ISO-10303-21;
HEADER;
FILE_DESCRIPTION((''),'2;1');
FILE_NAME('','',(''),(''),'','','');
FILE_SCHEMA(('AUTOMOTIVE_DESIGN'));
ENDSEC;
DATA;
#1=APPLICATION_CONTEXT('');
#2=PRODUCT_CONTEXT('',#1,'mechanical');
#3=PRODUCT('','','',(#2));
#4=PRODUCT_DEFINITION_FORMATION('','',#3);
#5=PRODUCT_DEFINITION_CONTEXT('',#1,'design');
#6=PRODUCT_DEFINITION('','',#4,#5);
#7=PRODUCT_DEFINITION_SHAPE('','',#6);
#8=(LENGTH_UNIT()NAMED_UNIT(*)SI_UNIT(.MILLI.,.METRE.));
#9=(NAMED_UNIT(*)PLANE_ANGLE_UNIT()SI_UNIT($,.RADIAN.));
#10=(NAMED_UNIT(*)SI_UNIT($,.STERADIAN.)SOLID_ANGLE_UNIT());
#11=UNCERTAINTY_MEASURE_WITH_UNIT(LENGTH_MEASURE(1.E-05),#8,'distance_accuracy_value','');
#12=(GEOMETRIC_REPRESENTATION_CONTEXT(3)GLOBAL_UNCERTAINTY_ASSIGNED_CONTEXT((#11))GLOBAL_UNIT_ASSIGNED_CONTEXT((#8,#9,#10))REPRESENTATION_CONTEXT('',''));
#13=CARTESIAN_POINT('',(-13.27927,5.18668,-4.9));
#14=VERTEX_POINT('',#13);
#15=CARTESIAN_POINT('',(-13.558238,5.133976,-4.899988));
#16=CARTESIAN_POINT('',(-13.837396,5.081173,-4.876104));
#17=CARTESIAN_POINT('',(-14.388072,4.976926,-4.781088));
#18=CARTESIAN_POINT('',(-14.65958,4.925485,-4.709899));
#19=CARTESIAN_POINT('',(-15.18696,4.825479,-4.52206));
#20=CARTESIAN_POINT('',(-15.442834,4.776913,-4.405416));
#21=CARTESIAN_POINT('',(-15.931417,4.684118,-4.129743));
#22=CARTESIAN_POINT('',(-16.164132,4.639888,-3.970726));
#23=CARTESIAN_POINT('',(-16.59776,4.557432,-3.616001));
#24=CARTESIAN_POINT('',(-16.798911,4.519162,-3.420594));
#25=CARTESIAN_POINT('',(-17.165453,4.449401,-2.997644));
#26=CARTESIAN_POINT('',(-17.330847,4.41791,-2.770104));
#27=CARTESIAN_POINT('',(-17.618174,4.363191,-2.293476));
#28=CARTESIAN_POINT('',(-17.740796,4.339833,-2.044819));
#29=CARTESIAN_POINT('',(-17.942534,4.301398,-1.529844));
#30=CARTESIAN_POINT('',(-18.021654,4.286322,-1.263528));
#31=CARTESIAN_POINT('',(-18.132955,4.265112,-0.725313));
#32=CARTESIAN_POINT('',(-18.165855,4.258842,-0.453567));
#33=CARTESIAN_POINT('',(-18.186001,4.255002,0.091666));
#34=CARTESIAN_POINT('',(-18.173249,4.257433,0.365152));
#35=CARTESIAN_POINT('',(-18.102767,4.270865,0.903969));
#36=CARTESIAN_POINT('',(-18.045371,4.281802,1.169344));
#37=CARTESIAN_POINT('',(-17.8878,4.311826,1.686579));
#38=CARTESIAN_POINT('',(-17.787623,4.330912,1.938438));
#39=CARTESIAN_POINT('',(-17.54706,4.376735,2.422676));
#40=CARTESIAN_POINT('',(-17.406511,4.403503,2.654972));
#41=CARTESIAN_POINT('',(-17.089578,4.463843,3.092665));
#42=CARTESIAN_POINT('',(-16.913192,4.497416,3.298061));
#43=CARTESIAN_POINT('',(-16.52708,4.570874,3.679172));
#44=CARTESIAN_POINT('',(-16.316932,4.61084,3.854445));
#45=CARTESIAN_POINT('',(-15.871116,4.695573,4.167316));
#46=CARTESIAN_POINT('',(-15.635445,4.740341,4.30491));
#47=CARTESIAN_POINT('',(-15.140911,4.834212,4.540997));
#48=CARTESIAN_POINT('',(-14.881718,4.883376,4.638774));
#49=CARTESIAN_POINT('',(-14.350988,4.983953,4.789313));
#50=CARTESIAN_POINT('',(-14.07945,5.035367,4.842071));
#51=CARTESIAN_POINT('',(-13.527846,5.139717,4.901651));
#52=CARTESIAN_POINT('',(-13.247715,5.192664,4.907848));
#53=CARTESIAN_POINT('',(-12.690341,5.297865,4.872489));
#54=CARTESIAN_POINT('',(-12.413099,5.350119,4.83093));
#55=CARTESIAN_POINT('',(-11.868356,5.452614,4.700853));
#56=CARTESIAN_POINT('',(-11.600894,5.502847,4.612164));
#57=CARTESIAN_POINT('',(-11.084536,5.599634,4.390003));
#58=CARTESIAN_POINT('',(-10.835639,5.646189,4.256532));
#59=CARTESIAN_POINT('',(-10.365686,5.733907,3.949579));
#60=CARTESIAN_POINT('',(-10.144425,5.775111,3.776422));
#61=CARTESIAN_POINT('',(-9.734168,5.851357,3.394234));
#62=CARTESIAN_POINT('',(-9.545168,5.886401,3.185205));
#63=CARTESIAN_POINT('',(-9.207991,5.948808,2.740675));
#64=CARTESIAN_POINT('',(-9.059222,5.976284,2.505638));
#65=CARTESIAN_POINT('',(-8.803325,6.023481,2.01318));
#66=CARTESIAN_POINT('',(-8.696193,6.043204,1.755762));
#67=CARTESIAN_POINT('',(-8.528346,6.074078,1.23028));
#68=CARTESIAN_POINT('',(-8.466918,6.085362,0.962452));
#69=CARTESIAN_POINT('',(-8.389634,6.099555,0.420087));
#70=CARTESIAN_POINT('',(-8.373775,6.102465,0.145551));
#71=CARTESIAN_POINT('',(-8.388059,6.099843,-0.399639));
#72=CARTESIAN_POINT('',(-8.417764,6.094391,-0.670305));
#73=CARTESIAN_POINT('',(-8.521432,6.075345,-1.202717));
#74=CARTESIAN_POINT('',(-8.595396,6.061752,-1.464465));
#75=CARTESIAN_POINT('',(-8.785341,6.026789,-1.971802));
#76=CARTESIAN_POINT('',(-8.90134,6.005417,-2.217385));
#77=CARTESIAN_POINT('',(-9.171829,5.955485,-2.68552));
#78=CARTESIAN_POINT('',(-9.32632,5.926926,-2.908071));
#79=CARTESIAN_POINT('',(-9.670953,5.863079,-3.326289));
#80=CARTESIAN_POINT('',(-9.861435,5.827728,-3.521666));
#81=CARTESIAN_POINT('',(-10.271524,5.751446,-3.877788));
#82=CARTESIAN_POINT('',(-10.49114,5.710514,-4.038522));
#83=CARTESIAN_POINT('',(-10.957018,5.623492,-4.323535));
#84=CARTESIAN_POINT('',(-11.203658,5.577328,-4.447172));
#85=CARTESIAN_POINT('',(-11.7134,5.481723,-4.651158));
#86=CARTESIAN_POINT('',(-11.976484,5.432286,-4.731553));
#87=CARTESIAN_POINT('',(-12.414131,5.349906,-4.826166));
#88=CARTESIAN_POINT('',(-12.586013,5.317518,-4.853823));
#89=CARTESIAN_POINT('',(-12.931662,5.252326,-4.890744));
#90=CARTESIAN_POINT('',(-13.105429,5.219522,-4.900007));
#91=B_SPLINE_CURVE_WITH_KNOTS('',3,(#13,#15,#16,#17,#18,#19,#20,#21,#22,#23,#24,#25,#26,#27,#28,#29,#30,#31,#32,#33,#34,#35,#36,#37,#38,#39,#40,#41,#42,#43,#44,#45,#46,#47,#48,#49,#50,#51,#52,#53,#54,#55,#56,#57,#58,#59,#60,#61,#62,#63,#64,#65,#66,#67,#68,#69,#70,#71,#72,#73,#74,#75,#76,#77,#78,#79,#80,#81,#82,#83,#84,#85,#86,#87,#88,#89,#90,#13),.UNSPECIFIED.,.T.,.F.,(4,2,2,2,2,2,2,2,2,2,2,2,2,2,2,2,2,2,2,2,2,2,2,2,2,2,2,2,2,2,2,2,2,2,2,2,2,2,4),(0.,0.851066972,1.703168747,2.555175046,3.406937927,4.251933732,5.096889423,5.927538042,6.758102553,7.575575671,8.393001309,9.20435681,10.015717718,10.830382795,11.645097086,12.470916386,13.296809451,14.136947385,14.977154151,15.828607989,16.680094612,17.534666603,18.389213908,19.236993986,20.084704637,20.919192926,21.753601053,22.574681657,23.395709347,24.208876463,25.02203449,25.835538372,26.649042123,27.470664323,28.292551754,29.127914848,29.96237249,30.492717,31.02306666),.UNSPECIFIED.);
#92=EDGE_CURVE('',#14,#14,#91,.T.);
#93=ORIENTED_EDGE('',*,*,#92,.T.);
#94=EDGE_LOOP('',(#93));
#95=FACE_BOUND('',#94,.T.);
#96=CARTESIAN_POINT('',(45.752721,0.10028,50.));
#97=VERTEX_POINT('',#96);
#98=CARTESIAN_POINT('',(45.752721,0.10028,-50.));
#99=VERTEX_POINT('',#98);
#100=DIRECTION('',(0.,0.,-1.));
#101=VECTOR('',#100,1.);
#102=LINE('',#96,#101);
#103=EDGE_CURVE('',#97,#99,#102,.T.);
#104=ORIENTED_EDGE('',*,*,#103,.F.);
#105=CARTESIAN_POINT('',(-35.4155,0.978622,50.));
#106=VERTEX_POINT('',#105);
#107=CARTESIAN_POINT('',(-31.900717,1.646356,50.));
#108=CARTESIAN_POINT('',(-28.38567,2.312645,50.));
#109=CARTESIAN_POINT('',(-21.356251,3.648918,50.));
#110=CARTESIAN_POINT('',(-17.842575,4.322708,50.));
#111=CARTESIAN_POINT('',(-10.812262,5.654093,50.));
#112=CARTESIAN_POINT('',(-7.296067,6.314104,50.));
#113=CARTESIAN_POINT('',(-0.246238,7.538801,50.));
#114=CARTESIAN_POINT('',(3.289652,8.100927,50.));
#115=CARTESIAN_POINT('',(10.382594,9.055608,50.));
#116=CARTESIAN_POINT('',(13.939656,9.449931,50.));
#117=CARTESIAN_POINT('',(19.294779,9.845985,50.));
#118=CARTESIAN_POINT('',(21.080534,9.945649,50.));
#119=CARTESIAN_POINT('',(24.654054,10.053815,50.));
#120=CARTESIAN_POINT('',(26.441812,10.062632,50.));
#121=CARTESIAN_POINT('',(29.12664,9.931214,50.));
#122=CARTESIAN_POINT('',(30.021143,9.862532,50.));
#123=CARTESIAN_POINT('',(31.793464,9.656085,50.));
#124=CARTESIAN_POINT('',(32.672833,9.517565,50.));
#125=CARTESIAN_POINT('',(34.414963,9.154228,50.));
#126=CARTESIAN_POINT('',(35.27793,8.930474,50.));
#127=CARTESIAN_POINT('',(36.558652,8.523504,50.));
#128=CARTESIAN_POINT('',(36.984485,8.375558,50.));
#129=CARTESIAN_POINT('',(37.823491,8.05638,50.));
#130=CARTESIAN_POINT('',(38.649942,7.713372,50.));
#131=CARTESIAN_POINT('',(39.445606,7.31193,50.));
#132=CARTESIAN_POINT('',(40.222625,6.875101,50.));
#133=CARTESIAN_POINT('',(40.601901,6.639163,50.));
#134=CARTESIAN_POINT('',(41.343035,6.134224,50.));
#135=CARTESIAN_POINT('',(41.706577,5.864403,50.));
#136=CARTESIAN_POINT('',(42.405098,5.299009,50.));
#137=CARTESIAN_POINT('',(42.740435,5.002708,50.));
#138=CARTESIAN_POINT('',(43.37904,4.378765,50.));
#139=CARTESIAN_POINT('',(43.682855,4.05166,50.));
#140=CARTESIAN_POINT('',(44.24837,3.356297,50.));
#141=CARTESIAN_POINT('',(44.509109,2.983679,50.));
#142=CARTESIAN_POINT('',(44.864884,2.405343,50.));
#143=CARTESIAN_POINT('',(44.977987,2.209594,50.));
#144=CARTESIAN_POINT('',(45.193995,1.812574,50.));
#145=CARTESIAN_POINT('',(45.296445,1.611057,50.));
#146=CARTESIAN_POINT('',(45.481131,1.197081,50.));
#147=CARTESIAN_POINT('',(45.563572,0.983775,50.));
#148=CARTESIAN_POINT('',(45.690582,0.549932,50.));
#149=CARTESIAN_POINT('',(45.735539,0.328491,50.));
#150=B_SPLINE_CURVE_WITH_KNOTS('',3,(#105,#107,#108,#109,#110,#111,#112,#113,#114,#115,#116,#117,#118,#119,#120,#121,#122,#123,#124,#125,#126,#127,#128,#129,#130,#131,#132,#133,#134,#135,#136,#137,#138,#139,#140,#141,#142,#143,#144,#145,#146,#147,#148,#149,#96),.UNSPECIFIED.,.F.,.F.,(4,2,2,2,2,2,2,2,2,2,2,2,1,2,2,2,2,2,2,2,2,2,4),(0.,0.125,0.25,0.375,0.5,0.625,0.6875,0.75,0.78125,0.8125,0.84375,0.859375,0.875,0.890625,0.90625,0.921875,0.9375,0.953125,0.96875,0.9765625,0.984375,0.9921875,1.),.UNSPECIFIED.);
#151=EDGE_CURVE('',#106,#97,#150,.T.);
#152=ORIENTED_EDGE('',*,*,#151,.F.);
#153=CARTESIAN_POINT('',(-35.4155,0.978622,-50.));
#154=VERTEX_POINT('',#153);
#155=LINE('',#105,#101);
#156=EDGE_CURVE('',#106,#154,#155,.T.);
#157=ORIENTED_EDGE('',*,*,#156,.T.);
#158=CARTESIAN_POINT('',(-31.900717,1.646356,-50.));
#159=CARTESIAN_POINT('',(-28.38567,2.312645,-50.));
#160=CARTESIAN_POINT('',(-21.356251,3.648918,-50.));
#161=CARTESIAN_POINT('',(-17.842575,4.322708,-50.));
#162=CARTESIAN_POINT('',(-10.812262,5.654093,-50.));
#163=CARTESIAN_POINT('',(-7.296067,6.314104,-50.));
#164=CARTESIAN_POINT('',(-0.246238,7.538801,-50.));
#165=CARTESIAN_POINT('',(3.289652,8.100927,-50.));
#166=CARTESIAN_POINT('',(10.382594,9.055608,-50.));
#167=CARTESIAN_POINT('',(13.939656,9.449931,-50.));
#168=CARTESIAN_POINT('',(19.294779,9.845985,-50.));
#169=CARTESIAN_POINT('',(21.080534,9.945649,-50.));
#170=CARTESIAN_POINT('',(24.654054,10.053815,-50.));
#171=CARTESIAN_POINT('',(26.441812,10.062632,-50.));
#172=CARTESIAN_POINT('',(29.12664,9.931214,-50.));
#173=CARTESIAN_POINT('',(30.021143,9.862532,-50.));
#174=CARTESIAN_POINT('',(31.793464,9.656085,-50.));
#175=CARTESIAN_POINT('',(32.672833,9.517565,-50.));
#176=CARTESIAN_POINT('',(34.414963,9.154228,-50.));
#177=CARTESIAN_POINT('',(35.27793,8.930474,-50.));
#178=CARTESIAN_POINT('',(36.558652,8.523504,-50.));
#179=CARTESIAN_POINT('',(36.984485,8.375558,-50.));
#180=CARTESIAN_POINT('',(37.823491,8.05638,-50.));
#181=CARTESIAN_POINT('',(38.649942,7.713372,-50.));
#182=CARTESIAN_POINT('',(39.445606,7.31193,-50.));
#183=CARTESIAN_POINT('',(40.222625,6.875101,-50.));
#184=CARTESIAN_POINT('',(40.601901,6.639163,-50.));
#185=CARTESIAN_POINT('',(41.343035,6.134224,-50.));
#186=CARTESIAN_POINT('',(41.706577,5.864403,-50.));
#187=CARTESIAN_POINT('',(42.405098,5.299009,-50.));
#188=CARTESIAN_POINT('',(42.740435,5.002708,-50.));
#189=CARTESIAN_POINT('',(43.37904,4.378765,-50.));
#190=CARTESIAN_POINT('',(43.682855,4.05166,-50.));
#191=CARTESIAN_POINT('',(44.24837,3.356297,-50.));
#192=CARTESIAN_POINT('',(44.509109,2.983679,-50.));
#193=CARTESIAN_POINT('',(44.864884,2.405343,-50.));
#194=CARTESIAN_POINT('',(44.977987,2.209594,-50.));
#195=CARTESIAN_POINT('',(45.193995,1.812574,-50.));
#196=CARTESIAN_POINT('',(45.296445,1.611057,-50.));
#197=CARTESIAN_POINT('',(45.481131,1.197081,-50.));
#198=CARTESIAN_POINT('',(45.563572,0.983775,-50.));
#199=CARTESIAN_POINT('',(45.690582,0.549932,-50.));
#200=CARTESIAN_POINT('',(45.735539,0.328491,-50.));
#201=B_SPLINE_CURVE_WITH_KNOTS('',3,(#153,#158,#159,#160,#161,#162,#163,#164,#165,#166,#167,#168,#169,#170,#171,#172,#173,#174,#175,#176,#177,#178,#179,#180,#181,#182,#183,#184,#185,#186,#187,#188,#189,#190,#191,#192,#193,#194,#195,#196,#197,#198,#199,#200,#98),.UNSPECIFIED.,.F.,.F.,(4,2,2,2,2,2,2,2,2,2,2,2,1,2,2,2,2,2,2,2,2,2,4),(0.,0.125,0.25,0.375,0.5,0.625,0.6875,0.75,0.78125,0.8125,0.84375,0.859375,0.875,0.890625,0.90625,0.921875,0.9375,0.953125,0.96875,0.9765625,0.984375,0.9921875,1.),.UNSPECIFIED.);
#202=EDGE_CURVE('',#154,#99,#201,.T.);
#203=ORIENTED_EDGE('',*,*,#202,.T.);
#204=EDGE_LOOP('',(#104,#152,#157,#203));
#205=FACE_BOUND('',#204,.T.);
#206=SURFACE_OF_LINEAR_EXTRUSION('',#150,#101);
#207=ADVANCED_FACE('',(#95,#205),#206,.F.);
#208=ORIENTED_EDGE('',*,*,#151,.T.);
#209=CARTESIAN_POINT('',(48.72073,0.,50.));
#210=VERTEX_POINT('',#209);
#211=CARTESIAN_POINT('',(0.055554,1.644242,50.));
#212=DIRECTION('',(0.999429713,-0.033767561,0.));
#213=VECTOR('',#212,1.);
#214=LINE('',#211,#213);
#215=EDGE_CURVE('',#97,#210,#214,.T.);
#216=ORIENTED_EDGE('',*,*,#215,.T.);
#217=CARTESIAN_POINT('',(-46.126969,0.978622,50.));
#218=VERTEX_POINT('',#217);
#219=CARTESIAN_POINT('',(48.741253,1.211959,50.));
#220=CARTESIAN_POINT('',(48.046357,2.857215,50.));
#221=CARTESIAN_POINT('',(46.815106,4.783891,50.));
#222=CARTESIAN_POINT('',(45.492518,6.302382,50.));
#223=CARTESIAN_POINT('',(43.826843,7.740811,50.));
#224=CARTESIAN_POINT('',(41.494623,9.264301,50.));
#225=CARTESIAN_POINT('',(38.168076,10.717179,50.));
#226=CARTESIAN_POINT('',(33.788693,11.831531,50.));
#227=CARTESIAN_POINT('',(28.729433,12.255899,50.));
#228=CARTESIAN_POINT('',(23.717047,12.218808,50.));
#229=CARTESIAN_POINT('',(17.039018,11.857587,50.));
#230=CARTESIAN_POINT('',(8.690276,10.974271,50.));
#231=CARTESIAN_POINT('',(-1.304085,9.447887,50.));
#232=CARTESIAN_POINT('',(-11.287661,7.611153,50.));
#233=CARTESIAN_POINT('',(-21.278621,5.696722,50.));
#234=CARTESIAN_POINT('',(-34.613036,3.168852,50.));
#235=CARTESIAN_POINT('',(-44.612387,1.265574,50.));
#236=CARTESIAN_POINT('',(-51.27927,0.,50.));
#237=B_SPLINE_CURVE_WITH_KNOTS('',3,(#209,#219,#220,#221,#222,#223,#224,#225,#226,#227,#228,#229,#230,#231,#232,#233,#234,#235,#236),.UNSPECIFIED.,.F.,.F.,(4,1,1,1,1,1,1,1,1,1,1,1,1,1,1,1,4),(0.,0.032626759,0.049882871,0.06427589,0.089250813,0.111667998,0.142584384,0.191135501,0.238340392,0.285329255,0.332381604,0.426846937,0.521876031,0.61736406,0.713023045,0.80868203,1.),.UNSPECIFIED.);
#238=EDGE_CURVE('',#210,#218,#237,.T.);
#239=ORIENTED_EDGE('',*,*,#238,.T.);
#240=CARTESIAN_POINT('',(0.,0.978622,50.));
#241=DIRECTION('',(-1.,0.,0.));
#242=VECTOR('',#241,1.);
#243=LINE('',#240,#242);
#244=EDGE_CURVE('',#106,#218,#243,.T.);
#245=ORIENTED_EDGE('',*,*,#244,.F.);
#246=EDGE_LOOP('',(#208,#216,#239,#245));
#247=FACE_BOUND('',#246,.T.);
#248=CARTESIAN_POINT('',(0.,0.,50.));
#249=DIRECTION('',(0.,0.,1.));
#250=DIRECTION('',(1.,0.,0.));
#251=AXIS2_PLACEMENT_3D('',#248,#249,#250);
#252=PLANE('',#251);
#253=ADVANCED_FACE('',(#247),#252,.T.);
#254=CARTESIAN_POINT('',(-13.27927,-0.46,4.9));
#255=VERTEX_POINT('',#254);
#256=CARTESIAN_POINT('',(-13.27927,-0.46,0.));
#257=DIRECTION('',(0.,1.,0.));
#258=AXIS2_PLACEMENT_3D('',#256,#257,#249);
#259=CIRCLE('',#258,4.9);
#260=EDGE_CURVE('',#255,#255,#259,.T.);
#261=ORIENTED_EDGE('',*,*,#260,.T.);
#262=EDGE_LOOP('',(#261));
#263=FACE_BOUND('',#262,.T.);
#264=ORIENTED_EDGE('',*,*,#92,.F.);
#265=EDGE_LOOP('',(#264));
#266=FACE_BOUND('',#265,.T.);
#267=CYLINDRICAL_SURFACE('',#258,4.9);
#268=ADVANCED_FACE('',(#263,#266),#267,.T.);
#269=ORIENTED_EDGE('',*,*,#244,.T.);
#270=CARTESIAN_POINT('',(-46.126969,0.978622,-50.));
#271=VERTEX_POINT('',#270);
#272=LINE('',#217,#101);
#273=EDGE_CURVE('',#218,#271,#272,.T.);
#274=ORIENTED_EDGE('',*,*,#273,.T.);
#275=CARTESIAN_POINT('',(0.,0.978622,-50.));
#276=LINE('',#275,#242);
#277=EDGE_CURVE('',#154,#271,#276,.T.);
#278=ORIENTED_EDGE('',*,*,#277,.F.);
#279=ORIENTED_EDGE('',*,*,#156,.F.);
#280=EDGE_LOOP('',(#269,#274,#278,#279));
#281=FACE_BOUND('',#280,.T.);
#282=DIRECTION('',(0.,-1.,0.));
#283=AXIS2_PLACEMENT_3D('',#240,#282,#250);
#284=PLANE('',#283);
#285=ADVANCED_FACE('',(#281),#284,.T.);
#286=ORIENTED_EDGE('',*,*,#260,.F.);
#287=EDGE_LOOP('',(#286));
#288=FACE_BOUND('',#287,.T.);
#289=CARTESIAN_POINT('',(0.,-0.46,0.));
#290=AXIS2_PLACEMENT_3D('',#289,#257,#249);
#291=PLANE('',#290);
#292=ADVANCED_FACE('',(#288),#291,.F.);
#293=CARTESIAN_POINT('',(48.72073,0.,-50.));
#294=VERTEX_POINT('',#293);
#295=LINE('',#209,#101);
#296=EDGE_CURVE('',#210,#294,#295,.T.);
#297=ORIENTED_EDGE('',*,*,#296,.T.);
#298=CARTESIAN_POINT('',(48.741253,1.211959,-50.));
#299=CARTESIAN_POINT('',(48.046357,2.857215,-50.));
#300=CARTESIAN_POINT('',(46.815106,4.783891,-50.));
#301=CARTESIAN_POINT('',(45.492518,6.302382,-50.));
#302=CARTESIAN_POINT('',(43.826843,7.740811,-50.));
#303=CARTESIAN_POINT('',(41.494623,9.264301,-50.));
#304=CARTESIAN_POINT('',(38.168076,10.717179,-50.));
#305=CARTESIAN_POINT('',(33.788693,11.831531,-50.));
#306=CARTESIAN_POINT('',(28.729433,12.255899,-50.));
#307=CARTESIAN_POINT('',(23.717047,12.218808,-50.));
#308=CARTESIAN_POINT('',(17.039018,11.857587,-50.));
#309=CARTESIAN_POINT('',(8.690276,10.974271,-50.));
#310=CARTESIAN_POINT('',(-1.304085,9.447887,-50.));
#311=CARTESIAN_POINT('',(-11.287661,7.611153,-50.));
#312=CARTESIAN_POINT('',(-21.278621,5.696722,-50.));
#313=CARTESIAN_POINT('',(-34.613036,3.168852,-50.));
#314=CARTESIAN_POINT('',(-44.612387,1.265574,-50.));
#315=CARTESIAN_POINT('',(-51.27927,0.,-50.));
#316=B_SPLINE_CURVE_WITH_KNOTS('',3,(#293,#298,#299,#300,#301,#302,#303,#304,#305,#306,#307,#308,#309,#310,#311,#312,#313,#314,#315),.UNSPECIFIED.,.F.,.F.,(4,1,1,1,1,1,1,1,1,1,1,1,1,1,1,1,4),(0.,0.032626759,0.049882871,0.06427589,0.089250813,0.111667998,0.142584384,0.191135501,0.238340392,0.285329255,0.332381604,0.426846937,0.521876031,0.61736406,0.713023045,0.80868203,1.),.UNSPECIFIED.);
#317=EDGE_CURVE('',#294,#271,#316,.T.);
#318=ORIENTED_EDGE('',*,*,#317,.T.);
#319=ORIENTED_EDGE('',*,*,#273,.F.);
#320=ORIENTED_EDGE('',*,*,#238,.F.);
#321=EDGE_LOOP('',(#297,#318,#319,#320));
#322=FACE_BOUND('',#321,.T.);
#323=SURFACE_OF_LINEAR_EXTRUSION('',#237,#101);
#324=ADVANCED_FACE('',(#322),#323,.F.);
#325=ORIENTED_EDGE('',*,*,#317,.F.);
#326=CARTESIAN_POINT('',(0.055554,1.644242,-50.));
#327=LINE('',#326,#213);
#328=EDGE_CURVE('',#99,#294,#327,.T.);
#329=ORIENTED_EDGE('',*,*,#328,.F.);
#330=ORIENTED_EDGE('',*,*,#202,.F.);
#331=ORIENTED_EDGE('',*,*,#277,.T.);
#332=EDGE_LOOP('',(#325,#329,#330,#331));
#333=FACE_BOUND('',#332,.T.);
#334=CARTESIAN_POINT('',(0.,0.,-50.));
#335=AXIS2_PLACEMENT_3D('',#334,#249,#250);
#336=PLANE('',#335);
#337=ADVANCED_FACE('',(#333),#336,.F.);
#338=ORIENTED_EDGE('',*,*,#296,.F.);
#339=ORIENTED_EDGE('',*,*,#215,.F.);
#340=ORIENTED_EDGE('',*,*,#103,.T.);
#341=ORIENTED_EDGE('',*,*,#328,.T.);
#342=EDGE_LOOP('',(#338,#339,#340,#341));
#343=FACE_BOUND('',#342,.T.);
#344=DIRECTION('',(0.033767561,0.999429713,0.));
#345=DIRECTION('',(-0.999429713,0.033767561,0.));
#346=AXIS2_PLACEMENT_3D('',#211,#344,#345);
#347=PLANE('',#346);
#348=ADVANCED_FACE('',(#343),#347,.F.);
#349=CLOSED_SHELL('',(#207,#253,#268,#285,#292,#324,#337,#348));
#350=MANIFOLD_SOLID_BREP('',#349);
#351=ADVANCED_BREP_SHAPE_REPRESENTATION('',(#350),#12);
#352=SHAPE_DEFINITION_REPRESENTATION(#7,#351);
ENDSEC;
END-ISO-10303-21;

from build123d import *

# Parameters (mm, degrees)
BOSS_EXTRUDE1_DEPTH             = 50
BOSS_EXTRUDE2_REACH             = 72.874
SKETCH4_R                       = 4.9
BOSS_EXTRUDE2_DIRECTION_2_DEPTH = 0.46


with BuildPart() as part:
    # Sketch3 → Boss-Extrude1 (new, symmetric)
    with BuildSketch(Plane.XY):
        with BuildLine():
            Line((-46.126968972, 0.978621832), (-35.415500388, 0.978621832))
            add(Edge.make_bspline(
                [(-35.415500388, 0.978621832), (-31.900717337, 1.646356284), (-28.385669806, 2.312644878), (-21.356250818, 3.648918025), (-17.842575491, 4.322708179), (-10.812262333, 5.654093081), (-7.296066509, 6.314104196), (-0.246237667, 7.538800854), (3.289652388, 8.100927369), (10.382593906, 9.05560756), (13.939655637, 9.449931283), (19.294779383, 9.845985299), (21.080534176, 9.94564859), (24.654054204, 10.053814529), (26.441812496, 10.062631968), (29.126639881, 9.931214403), (30.021142665, 9.862531806), (31.793464098, 9.656084843), (32.672832664, 9.517565102), (34.414963225, 9.15422751), (35.277930032, 8.930473985), (36.558652221, 8.523504326), (36.984484861, 8.375558226), (37.823491014, 8.056379668), (38.649942038, 7.713371742), (39.445605832, 7.311930302), (40.222624744, 6.875101272), (40.601901137, 6.639162596), (41.343034868, 6.13422425), (41.706577137, 5.864403259), (42.405097582, 5.299009429), (42.740435419, 5.002707871), (43.379039637, 4.378765248), (43.682854505, 4.051660151), (44.248370211, 3.356297071), (44.509109318, 2.983679064), (44.864883627, 2.405343349), (44.977987263, 2.209593987), (45.193994648, 1.812573614), (45.296445183, 1.611057258), (45.481130702, 1.197080973), (45.56357233, 0.983774864), (45.690582147, 0.549932416), (45.735539216, 0.328490722), (45.752720851, 0.100279614)],
                knots=[0, 0, 0, 0, 0.125, 0.125, 0.25, 0.25, 0.375, 0.375, 0.5, 0.5, 0.625, 0.625, 0.6875, 0.6875, 0.75, 0.75, 0.78125, 0.78125, 0.8125, 0.8125, 0.84375, 0.84375, 0.859375, 0.859375, 0.875, 0.890625, 0.890625, 0.90625, 0.90625, 0.921875, 0.921875, 0.9375, 0.9375, 0.953125, 0.953125, 0.96875, 0.96875, 0.9765625, 0.9765625, 0.984375, 0.984375, 0.9921875, 0.9921875, 1, 1, 1, 1], degree=3))
            Line((45.752720851, 0.100279614), (48.72072986, 0))
            add(Edge.make_bspline(
                [(48.72072986, 0), (48.741252965, 1.211959263), (48.046357201, 2.857215342), (46.815105861, 4.78389108), (45.492517633, 6.302382051), (43.826843254, 7.740810658), (41.494622603, 9.264300756), (38.168076465, 10.717178582), (33.78869279, 11.831530653), (28.729432589, 12.255898832), (23.71704668, 12.218808276), (17.039017695, 11.857586647), (8.690276234, 10.974271434), (-1.304085126, 9.447886993), (-11.287660735, 7.611152922), (-21.278620725, 5.696721586), (-32.895483349, 3.494457071), (-41.17773966, 1.91909956), (-46.126968972, 0.978621832)],
                knots=[0, 0, 0, 0, 0.032626759, 0.049882871, 0.06427589, 0.089250813, 0.111667998, 0.142584384, 0.191135501, 0.238340392, 0.285329255, 0.332381604, 0.426846937, 0.521876031, 0.61736406, 0.713023045, 0.80868203, 0.950714186, 0.950714186, 0.950714186, 0.950714186], degree=3))
        make_face()
    extrude(amount=BOSS_EXTRUDE1_DEPTH, both=True)

    # Sketch4 → Boss-Extrude2 (add, up to next)
    with BuildSketch(Plane(origin=(0, 0, 0), x_dir=(1, 0, 0), z_dir=(0, 1, 0)), mode=Mode.PRIVATE) as boss_extrude2_sk1:
        with Locations((-13.27927014, 0)):
            Circle(SKETCH4_R)
    boss_extrude2_tool1 = extrude(boss_extrude2_sk1.sketch, amount=BOSS_EXTRUDE2_REACH, mode=Mode.PRIVATE) - part.part
    add(boss_extrude2_tool1.solids().sort_by_distance((-13.27927, 0, 0))[0])

    # Sketch4 → Boss-Extrude2 direction 2 (add)
    with BuildSketch(Plane(origin=(0, 0, 0), x_dir=(1, 0, 0), z_dir=(0, 1, 0))):
        with Locations((-13.27927014, 0)):
            Circle(SKETCH4_R)
    extrude(amount=-BOSS_EXTRUDE2_DIRECTION_2_DEPTH)


solid = part.part
